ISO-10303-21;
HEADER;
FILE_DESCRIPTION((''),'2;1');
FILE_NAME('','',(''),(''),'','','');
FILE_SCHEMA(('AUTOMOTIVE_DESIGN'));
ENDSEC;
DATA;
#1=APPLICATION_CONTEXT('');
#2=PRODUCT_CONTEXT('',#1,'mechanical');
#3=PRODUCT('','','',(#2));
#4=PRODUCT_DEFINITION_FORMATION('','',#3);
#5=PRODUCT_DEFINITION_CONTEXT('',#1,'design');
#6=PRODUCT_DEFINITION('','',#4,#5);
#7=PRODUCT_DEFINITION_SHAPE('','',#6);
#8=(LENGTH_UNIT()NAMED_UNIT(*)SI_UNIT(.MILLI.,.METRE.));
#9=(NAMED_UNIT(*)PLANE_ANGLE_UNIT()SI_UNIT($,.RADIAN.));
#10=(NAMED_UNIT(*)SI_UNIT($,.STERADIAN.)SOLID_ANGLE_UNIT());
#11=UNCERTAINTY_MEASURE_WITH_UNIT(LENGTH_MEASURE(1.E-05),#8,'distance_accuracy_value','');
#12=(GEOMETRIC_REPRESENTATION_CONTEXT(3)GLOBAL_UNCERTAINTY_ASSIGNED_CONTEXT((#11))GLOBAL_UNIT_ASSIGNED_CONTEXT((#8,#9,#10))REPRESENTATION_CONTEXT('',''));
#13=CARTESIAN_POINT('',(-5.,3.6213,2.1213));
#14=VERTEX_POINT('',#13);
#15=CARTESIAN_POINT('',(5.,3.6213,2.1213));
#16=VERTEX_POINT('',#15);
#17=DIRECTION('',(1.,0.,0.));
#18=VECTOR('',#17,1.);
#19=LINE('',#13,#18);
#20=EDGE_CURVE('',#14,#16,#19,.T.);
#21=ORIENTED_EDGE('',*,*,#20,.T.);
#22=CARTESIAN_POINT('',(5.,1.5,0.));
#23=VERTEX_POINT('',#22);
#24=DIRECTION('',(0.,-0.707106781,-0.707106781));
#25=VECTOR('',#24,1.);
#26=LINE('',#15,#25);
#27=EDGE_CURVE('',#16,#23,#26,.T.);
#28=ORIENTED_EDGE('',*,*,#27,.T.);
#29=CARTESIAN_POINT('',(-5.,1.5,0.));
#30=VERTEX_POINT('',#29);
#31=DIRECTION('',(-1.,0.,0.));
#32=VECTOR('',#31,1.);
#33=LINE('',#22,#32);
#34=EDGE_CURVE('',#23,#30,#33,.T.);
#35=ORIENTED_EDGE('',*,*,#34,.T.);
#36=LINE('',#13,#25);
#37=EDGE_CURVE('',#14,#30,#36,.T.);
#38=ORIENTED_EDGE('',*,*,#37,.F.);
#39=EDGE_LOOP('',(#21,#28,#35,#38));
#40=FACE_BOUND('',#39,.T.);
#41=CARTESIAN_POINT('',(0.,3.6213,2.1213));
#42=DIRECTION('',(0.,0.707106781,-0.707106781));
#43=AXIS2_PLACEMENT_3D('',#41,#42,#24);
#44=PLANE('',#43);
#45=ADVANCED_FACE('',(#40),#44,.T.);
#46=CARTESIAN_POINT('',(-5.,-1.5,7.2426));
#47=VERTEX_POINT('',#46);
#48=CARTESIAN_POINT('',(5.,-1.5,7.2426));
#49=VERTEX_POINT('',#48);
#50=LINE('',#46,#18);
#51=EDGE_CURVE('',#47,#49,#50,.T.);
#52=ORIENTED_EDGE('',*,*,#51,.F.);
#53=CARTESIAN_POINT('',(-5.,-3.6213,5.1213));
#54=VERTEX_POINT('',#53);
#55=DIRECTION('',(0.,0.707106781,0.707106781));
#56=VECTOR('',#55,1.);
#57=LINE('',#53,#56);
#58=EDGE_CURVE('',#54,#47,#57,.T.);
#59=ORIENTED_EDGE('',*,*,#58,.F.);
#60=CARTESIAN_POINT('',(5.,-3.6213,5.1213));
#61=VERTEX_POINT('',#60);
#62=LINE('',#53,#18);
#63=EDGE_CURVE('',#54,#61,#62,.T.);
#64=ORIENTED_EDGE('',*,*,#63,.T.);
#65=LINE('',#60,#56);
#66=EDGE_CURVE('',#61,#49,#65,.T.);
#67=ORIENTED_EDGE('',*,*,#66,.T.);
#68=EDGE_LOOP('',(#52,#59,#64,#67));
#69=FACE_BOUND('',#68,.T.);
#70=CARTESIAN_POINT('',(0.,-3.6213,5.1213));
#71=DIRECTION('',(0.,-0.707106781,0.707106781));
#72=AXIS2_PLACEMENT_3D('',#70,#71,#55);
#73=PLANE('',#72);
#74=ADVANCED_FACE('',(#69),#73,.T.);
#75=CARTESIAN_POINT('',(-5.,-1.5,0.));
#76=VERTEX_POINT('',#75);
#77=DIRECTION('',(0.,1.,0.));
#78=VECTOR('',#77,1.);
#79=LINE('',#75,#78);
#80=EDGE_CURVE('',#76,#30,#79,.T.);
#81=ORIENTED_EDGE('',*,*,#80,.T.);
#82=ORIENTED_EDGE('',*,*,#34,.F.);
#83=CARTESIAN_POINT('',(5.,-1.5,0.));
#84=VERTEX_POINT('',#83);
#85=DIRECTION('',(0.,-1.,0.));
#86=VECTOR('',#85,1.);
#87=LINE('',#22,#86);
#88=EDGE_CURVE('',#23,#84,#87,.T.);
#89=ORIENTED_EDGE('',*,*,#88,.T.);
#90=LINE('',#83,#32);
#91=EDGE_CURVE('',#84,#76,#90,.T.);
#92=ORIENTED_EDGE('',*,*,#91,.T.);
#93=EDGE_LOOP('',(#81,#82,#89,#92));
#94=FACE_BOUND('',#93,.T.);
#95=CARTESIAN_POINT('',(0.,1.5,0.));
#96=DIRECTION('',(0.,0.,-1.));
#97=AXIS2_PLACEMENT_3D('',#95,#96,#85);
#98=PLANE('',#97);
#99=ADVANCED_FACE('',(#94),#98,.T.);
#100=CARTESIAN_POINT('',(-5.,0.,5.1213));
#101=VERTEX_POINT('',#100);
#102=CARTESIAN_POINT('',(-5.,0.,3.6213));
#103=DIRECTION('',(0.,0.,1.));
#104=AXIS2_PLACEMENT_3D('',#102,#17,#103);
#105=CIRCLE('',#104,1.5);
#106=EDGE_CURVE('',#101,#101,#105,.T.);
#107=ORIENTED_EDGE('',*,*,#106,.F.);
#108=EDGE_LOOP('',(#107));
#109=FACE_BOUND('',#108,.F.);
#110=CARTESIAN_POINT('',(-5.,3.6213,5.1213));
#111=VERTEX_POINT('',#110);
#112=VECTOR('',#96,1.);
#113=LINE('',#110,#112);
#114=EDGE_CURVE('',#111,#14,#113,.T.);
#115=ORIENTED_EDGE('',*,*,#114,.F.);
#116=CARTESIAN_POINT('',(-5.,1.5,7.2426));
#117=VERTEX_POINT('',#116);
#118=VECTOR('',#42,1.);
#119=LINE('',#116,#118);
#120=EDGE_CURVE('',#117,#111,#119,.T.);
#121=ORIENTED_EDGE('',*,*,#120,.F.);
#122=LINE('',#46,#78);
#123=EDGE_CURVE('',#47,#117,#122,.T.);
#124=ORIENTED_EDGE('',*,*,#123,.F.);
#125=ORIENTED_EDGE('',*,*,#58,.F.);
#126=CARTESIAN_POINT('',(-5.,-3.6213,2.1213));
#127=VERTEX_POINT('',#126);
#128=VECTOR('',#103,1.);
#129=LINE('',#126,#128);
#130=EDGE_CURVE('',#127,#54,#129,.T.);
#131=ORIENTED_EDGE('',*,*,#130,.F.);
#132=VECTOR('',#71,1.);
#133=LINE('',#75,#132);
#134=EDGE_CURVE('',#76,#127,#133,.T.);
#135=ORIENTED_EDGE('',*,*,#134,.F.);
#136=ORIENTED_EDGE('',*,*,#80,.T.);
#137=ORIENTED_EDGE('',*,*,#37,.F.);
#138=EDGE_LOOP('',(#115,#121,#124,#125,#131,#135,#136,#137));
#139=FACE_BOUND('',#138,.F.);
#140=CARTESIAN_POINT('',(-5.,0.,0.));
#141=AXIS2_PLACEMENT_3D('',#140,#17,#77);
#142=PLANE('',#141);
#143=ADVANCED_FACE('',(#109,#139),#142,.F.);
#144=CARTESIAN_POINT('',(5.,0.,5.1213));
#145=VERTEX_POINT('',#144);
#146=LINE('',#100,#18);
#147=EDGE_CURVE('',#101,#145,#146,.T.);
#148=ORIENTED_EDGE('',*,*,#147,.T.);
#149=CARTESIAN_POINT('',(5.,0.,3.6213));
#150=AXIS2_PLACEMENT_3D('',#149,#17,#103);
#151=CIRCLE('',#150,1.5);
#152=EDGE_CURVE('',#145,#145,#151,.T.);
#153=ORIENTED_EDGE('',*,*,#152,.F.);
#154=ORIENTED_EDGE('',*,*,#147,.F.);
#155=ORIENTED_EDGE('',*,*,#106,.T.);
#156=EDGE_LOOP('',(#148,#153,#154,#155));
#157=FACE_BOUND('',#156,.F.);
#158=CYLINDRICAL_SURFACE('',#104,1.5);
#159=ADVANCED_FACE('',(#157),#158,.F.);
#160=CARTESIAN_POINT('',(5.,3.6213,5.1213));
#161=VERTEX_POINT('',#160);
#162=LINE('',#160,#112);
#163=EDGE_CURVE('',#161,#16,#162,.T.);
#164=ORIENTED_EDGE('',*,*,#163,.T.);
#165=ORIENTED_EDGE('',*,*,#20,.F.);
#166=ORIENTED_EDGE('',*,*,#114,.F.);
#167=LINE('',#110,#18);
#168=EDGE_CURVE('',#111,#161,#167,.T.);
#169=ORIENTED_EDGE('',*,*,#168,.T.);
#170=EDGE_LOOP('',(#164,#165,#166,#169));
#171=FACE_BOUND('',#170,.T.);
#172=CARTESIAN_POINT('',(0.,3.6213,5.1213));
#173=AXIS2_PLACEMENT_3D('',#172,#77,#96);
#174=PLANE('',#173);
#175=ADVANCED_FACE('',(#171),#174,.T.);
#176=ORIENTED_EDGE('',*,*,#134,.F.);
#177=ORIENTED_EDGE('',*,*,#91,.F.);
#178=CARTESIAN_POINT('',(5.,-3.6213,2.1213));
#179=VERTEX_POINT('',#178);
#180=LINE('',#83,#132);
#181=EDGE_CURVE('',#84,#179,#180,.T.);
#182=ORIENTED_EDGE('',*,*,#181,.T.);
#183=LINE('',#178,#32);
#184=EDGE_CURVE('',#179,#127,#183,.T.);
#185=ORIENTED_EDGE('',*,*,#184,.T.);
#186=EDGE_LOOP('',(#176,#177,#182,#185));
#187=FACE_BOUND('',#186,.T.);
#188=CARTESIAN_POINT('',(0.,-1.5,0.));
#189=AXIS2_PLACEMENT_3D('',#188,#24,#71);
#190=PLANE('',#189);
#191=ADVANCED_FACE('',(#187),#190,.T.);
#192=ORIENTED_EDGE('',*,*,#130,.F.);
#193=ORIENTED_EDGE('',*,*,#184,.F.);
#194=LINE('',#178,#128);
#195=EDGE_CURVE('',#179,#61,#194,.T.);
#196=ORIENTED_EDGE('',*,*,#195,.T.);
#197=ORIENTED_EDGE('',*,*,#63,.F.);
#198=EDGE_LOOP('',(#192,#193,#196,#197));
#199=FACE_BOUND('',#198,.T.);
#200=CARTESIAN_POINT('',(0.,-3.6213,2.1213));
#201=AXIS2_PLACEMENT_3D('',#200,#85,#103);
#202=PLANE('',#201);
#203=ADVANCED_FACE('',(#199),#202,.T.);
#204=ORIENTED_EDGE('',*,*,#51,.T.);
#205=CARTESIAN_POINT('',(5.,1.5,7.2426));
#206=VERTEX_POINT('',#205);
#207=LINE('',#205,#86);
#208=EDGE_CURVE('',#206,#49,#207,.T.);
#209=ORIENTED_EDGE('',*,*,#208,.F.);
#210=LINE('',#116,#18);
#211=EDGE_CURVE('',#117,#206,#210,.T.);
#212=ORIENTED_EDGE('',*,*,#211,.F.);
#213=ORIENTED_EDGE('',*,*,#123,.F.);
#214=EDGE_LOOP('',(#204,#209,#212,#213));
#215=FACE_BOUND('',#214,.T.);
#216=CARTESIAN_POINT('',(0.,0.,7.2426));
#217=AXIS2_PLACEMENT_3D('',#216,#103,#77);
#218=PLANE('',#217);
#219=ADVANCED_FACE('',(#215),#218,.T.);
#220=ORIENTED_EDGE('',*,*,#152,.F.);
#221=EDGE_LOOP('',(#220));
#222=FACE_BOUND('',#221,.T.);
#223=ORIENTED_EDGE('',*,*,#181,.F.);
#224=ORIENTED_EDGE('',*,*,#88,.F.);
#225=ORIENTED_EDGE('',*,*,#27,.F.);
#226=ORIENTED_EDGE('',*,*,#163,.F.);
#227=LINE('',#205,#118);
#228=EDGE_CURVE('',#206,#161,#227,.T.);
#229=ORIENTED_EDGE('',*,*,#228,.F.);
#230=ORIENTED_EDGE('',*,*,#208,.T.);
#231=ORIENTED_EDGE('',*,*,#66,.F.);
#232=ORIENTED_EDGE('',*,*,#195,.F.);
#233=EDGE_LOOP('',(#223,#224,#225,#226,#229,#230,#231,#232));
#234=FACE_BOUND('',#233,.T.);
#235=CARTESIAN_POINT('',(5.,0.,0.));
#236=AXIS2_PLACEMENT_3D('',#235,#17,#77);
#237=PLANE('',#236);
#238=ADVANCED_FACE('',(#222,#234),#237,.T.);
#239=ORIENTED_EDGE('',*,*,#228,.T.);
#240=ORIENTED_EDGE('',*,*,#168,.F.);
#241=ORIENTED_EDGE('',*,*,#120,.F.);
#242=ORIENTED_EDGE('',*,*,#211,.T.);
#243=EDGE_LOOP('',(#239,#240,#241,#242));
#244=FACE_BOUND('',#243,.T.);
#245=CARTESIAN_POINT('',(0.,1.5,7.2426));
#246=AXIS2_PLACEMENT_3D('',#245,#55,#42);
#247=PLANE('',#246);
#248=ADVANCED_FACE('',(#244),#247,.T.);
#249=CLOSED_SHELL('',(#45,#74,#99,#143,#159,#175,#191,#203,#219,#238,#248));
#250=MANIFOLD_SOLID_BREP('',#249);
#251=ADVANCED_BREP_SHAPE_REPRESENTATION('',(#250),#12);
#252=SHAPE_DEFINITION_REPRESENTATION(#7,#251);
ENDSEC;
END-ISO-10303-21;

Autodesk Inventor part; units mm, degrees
ref_plane "YZ Plane" through (0, 0, 0) normal (1, 0, 0) x (0, 1, 0)
ref_plane "XZ Plane" through (0, 0, 0) normal (0, 1, 0) x (-1, 0, 0)
ref_plane "XY Plane" through (0, 0, 0) normal (0, 0, 1) x (1, 0, 0)
sketch "草图1" plane through (0, 0, 0) normal (1, 0, 0) x (0, 1, 0)
  line L0 (3.6213, 2.1213) -> (1.5, 0)
  line L1 (1.5, 0) -> (-1.5, 0)
  line L2 (-1.5, 0) -> (-3.6213, 2.1213)
  line L3 (-3.6213, 2.1213) -> (-3.6213, 5.1213)
  line L4 (-3.6213, 5.1213) -> (-1.5, 7.2426)
  line L5 (-1.5, 7.2426) -> (1.5, 7.2426)
  line L6 (1.5, 7.2426) -> (3.6213, 5.1213)
  line L7 (3.6213, 5.1213) -> (3.6213, 2.1213)
  line L8 (1.608, 0) -> (-1.392, 0) projected
  line L9 (0, 0) -> (0, 9.8594)
  point P0 (0, 3.6213)
  dimension "d0" = 3
extrude "拉伸1" add sketch "草图1" along normal mid plane 10
sketch "草图2" plane through (-5, 0, 0) normal (-1, 0, 0) x (0, 0, 1)
  line L0 (2.1213, -3.6213) -> (5.1213, -3.6213) projected
  line L1 (5.1213, -3.6213) -> (7.2426, -1.5) projected
  line L2 (7.2426, -1.5) -> (7.2426, 1.5) projected
  line L3 (7.2426, 1.5) -> (5.1213, 3.6213) projected
  line L4 (5.1213, 3.6213) -> (2.1213, 3.6213) projected
  line L5 (2.1213, 3.6213) -> (0, 1.5) projected
  line L6 (0, 1.5) -> (0, -1.5) projected
  line L7 (0, -1.5) -> (2.1213, -3.6213) projected
  circle A0 centre (3.6213, 0) radius 1.5
  point P0 (0, 0)
  dimension "d3" = 3
hole "孔1" at (-5, 0, 3.6213) direction (1, 0, 0) diameter 3 end through all
properties part number "关节2"
